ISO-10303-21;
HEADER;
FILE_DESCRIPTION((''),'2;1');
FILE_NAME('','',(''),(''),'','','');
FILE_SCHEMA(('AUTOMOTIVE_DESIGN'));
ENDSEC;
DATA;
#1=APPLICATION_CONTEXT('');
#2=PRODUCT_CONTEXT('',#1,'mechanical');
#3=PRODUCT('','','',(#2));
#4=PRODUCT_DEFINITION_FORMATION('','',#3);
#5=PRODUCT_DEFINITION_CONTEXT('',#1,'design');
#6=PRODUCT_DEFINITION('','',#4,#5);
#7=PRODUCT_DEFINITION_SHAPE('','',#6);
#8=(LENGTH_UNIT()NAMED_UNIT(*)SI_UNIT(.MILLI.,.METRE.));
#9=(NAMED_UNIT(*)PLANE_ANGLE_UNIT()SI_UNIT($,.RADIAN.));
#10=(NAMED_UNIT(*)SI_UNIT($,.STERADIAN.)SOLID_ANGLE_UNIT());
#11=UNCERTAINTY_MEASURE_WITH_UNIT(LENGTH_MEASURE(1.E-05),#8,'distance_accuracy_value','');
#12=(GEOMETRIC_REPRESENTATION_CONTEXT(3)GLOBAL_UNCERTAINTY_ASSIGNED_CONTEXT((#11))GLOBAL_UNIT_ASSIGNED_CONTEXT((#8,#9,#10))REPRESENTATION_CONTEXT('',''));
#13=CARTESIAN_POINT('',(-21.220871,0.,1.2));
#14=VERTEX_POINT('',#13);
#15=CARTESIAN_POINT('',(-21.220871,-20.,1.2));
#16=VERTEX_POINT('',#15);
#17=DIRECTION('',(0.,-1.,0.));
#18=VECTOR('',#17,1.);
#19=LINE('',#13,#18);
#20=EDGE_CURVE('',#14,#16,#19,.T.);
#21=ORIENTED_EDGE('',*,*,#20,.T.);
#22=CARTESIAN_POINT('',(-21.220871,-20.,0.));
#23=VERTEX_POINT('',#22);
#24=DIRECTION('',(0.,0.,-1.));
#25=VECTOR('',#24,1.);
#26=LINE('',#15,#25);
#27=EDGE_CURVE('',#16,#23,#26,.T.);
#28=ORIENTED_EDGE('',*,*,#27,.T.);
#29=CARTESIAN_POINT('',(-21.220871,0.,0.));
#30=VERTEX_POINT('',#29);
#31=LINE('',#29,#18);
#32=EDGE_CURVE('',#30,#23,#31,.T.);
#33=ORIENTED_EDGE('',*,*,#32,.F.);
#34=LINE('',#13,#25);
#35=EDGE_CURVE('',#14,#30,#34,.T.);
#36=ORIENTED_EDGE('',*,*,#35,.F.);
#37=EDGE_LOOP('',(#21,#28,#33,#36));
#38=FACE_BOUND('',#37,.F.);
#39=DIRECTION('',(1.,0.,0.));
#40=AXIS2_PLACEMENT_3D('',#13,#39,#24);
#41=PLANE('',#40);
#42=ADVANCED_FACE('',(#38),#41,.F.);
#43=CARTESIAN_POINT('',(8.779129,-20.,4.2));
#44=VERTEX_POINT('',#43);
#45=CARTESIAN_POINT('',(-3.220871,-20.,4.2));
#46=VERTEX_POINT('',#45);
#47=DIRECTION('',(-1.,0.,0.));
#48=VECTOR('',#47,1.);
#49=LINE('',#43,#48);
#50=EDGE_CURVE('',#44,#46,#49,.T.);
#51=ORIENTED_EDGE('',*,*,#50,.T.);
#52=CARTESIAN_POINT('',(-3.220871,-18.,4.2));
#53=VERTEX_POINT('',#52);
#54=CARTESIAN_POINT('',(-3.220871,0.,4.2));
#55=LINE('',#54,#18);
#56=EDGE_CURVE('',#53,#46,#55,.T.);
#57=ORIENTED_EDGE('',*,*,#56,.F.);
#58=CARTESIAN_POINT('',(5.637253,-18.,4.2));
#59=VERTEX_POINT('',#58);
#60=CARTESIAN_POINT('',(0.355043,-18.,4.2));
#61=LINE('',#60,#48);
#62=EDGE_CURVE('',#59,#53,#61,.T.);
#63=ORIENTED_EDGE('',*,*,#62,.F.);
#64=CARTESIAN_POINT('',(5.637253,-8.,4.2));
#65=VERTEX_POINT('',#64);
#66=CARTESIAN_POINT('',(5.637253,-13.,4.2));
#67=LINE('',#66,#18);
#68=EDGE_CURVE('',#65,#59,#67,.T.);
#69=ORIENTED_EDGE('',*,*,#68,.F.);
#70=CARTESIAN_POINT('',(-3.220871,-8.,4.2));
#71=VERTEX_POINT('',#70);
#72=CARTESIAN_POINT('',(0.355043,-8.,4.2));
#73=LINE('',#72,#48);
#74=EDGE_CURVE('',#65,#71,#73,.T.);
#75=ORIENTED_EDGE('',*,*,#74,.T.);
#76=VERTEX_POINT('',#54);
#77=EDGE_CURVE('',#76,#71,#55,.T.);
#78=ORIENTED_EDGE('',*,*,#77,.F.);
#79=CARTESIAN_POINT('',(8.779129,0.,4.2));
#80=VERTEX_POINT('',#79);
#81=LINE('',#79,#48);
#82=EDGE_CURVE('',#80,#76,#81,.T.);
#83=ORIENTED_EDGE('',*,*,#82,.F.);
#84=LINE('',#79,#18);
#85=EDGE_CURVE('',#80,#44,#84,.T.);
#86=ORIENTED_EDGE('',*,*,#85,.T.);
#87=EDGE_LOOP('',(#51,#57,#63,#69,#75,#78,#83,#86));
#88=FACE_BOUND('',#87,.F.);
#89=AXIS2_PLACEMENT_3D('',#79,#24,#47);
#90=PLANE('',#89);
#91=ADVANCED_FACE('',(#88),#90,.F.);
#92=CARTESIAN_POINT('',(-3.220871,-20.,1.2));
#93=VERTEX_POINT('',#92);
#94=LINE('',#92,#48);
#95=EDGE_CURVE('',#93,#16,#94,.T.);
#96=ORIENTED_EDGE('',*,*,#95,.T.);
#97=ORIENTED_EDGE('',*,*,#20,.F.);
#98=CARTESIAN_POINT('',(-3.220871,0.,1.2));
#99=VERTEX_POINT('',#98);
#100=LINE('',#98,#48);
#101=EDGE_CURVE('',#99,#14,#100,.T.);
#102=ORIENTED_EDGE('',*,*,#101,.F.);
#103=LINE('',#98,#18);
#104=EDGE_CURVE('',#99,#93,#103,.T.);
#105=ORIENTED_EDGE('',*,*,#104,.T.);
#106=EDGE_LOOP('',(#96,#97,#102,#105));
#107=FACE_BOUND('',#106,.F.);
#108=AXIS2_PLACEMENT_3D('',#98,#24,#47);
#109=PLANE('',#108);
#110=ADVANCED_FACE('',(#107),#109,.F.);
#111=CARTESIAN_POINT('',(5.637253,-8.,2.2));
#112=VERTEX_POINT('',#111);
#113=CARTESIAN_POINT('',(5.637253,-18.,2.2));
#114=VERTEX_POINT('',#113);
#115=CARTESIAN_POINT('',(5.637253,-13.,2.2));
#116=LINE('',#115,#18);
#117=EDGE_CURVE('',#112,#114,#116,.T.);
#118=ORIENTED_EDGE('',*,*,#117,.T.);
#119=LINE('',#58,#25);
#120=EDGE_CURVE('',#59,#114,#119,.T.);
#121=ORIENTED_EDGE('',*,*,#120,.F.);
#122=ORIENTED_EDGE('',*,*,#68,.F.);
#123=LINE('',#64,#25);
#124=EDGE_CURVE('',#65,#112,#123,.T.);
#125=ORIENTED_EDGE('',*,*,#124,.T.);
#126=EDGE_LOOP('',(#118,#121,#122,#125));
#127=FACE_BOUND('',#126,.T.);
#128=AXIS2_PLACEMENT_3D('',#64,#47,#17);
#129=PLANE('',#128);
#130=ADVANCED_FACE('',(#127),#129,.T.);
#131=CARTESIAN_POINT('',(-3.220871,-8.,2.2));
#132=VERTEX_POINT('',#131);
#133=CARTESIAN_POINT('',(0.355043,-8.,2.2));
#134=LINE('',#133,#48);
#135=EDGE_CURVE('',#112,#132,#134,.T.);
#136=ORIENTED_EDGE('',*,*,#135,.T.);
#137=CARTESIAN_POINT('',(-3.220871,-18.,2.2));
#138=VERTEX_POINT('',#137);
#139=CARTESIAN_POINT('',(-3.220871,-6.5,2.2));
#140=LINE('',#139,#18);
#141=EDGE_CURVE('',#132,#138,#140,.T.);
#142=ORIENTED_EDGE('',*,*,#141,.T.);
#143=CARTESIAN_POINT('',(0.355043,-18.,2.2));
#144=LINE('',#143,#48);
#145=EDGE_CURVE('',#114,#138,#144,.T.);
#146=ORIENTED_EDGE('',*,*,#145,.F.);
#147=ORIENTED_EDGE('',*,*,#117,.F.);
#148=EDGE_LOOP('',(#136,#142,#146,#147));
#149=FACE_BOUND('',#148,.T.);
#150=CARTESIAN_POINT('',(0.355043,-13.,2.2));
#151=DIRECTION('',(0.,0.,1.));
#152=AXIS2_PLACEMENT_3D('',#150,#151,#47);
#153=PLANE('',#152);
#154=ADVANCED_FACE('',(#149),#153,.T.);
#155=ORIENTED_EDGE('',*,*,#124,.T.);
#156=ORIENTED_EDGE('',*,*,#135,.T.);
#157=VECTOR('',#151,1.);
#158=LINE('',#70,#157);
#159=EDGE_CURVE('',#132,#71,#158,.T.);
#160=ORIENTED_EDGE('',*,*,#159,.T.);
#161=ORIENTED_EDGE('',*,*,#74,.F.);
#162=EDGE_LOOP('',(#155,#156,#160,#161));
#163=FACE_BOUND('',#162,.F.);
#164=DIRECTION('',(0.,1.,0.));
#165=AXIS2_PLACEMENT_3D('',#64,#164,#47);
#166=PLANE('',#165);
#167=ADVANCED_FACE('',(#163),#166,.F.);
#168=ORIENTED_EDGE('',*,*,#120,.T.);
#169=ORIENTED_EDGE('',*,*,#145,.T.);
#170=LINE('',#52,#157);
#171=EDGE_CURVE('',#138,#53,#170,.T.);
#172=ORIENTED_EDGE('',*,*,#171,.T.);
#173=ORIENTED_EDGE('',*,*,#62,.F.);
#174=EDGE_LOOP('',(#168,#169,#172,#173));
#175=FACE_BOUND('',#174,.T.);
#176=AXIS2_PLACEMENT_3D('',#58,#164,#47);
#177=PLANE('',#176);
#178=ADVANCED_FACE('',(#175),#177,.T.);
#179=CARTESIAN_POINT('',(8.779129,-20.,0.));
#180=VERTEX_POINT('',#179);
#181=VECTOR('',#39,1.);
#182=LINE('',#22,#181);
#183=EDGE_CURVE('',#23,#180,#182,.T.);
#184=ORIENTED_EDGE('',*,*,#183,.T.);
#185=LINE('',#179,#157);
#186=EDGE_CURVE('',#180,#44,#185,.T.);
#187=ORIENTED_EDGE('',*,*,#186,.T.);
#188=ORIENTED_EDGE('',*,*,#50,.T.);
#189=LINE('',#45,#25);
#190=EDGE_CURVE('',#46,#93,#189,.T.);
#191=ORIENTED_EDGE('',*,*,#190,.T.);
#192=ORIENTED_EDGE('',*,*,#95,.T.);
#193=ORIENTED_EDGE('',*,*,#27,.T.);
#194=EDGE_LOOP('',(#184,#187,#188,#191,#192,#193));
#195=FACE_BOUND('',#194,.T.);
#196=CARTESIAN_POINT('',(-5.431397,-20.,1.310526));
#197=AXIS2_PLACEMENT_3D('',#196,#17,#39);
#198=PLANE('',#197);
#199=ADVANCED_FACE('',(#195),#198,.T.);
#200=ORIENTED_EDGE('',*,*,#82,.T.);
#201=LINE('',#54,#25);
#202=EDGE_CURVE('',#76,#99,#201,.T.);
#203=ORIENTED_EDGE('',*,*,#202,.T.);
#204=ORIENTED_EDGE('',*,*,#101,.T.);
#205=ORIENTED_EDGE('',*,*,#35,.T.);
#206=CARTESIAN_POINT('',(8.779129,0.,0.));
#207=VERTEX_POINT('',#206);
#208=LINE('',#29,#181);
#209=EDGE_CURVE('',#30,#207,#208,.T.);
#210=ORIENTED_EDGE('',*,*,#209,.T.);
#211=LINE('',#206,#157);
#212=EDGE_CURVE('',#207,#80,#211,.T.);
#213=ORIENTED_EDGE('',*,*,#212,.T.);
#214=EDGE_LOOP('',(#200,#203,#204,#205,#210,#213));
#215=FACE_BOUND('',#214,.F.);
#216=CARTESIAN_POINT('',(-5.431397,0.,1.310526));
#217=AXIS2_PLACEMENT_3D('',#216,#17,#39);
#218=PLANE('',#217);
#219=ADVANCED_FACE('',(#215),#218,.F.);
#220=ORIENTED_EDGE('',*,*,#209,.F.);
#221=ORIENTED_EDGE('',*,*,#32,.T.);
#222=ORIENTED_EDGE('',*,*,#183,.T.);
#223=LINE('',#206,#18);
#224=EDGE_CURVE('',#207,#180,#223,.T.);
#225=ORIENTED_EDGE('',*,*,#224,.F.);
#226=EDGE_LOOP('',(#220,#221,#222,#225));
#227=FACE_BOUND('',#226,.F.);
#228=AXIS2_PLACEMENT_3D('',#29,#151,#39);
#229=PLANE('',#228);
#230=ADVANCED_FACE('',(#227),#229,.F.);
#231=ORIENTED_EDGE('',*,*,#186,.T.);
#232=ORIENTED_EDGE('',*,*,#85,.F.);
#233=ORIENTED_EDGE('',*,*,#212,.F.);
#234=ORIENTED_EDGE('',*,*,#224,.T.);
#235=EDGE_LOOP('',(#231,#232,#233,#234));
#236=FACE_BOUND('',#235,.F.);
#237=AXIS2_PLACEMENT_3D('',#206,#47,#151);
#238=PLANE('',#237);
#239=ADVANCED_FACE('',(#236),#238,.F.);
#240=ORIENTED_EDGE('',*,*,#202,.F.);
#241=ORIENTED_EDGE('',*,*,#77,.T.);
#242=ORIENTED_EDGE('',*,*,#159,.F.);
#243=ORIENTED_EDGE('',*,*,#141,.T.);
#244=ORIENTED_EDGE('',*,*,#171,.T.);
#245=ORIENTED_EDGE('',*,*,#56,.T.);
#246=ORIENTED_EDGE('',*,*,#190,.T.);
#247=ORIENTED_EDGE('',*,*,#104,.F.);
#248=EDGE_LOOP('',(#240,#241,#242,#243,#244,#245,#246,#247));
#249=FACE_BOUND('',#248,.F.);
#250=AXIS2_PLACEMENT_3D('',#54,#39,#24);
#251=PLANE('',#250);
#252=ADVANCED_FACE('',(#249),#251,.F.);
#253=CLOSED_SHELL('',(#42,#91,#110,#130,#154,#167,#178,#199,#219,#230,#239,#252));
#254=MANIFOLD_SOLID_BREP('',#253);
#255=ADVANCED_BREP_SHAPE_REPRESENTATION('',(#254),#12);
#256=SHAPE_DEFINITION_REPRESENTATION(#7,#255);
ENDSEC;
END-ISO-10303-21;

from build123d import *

# Parameters (mm, degrees)
PAD_DEPTH    = 20
SKETCH001_W  = 10.56442
SKETCH001_H  = 10
POCKET_DEPTH = 2


with BuildPart() as part:
    # Sketch → Pad (new body)
    with BuildSketch(Plane.XZ):
        Polygon((-21.220871, 0), (8.779129, 0), (8.779129, 4.2), (-3.220871, 4.2), (-3.220871, 1.2), (-21.220871, 1.2), align=None)
    extrude(amount=PAD_DEPTH)

    # Sketch001 (on Face3 of Pad) → Pocket (cut)
    with BuildSketch(Plane(origin=(0, 0, 4.2), x_dir=(-1, 0, 0), z_dir=(0, 0, 1))):
        with Locations((-0.355043, 13)):
            Rectangle(SKETCH001_W, SKETCH001_H)
    extrude(amount=-POCKET_DEPTH, mode=Mode.SUBTRACT)


solid = part.part
